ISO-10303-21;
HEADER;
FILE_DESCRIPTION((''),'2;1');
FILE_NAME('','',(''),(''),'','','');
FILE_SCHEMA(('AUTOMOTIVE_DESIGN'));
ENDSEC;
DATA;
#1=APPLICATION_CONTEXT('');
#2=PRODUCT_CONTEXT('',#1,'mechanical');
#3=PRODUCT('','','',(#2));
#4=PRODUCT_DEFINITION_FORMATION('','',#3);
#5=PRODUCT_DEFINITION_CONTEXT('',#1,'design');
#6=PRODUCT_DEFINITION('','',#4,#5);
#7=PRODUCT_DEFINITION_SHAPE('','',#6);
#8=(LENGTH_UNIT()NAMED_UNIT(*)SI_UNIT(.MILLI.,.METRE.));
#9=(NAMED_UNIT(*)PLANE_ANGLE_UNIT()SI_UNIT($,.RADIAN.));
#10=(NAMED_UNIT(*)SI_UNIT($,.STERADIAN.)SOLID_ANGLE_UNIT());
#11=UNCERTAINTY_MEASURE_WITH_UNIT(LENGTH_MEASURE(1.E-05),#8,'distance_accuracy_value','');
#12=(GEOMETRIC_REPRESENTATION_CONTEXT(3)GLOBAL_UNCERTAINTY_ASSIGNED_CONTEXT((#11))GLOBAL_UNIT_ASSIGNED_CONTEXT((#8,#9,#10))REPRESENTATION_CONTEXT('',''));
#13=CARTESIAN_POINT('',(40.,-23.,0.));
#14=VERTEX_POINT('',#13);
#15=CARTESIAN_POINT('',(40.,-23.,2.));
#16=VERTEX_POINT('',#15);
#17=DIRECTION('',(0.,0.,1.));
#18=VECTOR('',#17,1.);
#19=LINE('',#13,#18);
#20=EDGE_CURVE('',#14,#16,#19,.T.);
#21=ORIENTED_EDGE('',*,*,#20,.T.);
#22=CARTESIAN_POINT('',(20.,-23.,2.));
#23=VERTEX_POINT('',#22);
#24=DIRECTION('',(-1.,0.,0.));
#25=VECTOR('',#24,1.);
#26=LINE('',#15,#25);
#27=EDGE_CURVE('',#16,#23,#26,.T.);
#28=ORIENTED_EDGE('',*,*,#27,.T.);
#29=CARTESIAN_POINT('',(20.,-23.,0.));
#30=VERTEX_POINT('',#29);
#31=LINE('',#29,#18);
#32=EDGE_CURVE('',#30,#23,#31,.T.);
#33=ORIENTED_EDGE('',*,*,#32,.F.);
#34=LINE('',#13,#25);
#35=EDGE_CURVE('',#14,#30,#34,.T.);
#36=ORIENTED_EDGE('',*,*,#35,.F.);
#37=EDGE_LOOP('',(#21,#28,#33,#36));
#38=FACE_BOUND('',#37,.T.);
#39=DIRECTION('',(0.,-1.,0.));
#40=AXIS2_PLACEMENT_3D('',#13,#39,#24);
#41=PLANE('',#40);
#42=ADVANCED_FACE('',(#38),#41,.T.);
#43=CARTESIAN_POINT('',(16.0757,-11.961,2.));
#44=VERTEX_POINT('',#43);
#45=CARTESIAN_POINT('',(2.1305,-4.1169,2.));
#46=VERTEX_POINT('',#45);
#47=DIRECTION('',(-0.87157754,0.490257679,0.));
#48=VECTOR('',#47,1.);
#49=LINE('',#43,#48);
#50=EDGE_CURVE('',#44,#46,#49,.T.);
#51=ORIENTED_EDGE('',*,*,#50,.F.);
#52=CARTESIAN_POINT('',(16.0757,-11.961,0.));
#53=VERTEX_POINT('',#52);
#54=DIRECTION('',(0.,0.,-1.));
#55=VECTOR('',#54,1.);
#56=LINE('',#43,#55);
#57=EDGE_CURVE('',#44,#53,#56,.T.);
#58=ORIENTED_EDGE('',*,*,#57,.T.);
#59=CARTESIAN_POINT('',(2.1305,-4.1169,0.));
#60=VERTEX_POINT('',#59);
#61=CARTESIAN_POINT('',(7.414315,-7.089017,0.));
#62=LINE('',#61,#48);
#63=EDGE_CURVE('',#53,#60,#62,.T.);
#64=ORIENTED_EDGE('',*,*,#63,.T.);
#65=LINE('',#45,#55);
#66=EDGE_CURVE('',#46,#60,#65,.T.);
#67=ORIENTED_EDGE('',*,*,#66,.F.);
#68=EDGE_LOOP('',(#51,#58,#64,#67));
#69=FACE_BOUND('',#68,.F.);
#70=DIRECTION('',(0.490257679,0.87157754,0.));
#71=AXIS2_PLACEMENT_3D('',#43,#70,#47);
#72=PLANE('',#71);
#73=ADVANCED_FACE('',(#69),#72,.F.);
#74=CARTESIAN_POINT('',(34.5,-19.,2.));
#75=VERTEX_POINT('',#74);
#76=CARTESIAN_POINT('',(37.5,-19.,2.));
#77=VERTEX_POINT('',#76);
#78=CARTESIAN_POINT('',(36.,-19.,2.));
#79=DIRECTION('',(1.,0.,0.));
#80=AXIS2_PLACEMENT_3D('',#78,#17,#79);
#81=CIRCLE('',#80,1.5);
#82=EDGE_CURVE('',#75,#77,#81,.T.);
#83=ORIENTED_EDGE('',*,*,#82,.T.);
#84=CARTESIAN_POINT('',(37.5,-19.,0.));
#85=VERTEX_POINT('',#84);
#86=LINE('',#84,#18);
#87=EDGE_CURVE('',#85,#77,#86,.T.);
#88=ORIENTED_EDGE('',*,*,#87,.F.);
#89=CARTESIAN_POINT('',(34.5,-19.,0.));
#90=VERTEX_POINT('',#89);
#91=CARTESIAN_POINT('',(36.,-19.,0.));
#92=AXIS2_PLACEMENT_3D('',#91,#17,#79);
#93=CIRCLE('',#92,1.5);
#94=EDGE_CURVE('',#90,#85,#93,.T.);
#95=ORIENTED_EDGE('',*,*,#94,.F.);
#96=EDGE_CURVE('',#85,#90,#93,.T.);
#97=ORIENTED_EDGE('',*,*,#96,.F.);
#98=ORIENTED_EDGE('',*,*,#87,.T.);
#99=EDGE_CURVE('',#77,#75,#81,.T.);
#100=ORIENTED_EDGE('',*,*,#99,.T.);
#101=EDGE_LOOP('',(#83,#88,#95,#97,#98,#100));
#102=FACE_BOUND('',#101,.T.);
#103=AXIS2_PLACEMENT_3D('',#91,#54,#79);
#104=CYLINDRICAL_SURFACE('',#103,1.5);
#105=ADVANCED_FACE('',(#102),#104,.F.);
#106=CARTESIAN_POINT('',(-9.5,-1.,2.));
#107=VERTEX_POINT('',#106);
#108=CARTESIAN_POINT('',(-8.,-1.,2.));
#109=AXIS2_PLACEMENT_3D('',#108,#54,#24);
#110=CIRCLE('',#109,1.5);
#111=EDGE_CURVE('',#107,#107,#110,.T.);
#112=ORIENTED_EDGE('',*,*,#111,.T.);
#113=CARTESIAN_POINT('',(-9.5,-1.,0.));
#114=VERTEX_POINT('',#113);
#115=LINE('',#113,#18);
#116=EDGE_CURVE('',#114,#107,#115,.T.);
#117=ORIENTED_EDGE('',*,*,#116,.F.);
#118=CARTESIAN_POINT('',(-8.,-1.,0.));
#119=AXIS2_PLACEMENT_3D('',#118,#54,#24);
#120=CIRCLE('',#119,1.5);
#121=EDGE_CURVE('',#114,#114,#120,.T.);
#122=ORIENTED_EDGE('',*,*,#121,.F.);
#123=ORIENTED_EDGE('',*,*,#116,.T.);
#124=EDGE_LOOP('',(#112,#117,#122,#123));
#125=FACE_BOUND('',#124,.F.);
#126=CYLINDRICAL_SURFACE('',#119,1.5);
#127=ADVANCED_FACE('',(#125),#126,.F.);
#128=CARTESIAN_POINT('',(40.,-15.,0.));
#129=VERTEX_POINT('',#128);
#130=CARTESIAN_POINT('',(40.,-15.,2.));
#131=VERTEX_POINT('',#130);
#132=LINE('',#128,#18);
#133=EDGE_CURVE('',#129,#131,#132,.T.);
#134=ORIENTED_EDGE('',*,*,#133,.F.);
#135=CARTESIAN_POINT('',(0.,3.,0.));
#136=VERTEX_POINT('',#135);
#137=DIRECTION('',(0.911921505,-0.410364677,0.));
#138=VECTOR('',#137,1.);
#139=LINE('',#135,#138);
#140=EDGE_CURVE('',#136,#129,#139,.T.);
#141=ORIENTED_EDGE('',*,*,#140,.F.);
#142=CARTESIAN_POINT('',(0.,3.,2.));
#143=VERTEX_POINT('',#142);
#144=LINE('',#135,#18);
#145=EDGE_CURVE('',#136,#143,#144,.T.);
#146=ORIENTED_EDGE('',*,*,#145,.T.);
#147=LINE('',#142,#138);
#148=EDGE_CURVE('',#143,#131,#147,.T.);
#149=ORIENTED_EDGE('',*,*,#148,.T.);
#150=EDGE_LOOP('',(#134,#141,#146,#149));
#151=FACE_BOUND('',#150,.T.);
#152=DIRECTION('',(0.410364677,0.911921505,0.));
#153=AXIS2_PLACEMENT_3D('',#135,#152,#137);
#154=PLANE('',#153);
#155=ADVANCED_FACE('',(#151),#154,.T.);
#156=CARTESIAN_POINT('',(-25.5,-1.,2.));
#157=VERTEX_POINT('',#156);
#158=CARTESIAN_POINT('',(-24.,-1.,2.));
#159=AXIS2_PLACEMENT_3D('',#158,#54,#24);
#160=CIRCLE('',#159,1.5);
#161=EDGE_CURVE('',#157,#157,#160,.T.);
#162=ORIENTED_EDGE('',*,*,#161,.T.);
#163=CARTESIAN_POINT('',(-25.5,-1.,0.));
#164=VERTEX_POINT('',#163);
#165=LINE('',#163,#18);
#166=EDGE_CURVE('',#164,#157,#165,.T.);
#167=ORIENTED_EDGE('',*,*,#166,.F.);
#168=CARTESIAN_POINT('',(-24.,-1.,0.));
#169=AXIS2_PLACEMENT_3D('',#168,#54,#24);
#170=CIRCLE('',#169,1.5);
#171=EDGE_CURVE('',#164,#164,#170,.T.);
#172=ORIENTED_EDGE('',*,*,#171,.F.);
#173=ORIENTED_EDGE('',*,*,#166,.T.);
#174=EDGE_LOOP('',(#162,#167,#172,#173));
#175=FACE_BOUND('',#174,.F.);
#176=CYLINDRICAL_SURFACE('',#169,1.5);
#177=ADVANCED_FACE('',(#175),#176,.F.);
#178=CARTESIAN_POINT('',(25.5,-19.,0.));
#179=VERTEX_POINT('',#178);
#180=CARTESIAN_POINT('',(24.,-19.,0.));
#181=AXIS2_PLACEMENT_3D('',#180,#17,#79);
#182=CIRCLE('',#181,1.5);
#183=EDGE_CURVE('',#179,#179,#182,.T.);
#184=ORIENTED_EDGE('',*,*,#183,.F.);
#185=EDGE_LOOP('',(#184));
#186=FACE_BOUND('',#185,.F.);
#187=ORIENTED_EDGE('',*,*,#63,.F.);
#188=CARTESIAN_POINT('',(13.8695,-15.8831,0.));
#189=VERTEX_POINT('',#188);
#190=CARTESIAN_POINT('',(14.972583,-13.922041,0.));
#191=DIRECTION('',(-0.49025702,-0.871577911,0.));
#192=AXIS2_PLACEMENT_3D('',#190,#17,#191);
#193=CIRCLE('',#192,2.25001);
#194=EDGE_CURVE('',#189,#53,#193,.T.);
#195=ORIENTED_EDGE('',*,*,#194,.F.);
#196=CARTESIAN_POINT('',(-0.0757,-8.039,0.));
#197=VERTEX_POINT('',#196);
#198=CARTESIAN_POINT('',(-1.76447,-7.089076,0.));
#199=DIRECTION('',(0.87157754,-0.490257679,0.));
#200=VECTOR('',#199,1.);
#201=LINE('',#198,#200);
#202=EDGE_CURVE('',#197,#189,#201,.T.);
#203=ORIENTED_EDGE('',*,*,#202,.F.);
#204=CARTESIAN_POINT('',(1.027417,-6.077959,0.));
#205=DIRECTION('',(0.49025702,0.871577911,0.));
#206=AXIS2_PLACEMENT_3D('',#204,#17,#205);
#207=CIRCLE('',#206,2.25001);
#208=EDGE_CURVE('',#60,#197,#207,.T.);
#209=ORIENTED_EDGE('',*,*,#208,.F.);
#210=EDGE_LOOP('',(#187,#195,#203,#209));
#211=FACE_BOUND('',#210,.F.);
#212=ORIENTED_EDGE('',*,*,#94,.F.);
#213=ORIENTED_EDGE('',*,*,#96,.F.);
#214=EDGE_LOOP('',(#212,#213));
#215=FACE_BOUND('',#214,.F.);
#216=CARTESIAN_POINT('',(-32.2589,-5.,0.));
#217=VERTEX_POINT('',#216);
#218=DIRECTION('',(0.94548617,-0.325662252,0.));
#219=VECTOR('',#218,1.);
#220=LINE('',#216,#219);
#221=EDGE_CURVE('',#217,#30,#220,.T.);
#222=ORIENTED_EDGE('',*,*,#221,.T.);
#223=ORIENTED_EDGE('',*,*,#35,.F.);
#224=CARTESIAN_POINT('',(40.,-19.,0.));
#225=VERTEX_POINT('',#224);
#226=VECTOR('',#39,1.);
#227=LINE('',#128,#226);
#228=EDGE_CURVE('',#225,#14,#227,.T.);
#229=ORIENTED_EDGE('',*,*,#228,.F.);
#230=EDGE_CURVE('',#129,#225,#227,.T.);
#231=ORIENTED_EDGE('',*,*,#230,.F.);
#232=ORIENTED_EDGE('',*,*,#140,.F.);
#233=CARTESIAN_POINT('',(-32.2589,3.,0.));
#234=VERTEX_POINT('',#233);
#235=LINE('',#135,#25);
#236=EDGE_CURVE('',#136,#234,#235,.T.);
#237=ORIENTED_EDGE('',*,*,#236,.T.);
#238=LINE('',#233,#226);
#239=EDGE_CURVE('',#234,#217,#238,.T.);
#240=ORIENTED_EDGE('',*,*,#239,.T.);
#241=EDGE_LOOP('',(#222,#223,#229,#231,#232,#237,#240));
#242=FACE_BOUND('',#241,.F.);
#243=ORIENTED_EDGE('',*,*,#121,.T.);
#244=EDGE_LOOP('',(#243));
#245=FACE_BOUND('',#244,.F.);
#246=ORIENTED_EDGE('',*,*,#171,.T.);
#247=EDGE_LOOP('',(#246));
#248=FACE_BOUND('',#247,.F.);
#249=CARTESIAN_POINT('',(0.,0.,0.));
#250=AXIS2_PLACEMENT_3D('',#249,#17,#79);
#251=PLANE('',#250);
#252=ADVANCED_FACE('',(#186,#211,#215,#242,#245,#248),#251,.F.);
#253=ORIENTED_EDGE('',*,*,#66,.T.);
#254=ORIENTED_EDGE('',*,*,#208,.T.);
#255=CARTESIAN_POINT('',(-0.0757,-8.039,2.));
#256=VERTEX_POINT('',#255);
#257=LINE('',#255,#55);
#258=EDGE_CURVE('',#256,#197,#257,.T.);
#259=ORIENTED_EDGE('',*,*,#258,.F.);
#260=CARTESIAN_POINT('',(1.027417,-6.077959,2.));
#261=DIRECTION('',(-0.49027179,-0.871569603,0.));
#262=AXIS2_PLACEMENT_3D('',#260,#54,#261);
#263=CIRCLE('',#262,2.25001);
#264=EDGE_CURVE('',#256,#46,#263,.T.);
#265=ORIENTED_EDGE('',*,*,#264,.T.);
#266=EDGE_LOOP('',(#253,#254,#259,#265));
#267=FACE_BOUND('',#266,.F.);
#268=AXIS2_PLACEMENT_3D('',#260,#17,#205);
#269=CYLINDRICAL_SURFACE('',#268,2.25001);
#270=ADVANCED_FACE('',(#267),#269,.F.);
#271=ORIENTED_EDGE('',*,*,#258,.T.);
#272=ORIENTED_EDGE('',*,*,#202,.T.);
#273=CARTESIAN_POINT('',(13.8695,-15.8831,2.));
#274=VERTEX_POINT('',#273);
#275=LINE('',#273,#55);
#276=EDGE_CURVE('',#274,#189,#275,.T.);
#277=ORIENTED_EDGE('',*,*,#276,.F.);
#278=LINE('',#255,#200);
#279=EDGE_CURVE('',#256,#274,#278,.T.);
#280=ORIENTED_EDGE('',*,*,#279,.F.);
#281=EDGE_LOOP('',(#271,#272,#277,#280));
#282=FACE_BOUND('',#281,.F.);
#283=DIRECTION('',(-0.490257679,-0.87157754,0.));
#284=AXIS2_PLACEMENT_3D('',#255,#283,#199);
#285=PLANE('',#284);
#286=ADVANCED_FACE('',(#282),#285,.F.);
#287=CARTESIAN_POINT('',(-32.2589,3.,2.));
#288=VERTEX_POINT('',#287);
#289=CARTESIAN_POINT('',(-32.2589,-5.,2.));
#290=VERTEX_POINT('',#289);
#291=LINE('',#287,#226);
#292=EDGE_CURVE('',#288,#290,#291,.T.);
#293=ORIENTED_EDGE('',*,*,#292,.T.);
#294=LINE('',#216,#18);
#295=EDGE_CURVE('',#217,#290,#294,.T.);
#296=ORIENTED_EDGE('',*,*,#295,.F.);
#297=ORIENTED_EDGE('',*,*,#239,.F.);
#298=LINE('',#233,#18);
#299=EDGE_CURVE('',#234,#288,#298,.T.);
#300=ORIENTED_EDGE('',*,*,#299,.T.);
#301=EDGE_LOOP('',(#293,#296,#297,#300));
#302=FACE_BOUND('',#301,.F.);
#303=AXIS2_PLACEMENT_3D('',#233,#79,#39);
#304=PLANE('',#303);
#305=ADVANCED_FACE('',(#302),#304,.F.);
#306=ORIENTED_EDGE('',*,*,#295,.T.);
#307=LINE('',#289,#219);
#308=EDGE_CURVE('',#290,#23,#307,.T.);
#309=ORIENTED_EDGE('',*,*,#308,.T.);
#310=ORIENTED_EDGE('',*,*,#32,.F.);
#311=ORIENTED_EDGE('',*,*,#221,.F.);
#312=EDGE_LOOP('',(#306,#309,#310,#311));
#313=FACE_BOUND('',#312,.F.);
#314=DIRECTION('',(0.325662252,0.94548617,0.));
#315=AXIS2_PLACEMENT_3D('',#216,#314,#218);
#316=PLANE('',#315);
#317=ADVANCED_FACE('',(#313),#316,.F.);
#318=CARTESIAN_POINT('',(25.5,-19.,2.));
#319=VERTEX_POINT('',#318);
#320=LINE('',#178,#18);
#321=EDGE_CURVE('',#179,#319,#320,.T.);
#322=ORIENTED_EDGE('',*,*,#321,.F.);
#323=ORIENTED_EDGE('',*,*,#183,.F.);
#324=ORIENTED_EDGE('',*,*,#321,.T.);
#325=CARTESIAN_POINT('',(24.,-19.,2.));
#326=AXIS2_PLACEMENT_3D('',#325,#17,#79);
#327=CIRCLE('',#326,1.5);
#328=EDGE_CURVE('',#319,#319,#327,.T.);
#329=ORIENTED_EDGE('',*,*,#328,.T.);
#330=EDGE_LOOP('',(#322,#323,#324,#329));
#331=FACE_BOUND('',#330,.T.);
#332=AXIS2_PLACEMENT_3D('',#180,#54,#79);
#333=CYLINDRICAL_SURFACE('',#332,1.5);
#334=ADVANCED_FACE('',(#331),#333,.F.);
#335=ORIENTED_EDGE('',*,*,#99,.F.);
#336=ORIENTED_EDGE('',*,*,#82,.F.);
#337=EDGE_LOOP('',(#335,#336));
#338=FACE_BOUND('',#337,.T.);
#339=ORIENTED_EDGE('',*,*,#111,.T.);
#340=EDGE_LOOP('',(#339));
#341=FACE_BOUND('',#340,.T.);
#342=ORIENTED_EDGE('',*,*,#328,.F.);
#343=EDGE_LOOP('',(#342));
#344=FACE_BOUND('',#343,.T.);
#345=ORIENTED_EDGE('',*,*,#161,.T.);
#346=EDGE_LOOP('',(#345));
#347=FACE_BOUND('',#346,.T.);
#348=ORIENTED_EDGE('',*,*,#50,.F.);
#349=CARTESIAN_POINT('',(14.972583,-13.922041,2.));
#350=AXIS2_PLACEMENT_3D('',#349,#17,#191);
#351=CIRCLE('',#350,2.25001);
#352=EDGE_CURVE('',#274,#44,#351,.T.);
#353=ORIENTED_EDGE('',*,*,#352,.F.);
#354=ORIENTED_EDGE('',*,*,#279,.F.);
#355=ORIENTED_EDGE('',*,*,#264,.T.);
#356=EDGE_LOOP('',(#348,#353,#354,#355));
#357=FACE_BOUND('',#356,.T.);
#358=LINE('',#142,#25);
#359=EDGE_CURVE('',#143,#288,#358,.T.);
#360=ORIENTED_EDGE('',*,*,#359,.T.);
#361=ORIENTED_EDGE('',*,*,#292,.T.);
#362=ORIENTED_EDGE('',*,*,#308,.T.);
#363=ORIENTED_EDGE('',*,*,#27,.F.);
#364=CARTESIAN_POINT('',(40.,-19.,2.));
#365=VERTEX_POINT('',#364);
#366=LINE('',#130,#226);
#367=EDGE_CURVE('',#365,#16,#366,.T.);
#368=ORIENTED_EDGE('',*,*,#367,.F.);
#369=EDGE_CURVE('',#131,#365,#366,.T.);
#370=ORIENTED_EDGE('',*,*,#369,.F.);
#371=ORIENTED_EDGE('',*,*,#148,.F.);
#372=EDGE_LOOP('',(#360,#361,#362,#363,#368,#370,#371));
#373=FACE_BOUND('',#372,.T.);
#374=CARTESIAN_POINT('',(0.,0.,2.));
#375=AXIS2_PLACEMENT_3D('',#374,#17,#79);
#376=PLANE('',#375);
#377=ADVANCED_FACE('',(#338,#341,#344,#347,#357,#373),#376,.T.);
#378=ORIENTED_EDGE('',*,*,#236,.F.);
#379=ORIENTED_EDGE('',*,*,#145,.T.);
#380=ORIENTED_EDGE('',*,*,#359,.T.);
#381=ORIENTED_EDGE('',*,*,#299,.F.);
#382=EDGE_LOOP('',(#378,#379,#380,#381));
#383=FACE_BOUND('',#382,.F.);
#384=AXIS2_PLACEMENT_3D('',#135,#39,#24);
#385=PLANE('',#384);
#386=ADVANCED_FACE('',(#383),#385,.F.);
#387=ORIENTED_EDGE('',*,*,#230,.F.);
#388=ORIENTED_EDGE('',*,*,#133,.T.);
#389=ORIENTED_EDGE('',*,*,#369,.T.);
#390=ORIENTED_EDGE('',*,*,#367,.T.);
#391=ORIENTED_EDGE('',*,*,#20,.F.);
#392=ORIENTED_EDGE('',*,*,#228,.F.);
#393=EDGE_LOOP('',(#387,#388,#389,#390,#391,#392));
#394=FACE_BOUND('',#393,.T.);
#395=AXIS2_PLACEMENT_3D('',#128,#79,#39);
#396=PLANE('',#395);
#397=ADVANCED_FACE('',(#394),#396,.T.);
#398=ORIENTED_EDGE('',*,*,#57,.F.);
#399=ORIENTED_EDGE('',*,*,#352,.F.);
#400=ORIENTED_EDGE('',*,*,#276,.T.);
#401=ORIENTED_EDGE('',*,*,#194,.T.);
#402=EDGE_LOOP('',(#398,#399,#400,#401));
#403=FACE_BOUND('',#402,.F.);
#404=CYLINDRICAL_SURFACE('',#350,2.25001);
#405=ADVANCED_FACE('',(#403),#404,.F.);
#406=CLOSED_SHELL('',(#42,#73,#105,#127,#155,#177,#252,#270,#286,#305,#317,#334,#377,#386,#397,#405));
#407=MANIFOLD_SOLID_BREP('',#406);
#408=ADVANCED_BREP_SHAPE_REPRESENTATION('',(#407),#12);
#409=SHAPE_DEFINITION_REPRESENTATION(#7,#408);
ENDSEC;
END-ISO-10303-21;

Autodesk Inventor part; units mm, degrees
ref_plane "YZ Plane" through (0, 0, 0) normal (1, 0, 0) x (0, 1, 0)
ref_plane "XZ Plane" through (0, 0, 0) normal (0, 1, 0) x (-1, 0, 0)
ref_plane "XY Plane" through (0, 0, 0) normal (0, 0, 1) x (1, 0, 0)
sketch "Sketch1" plane through (0, 0, 0) normal (0, 0, 1) x (1, 0, 0)
  line L0 (-158.3346, -22.9633) -> (-158.3346, -15.0367) projected
  arc A0 (-32.2589, 3) -> (-35, 2.3373) centre (-32.2589, -3) ccw projected
  line L1 (-35, 2.3373) -> (-35, -5) projected
  line L2 (0, -5) -> (-35, -5) projected
  line L3 (0, 3) -> (0, -5) projected
  line L4 (0, 3) -> (-32.2589, 3) projected
  circle A1 centre (-8, -1) radius 2 projected
  circle A2 centre (-24, -1) radius 2 projected
  line L5 (-158.3346, -19) -> (0, -19)
  line L6 (-64, 3) -> (-56, 3) projected
  line L7 (-60, 3) -> (-60, 13)
  line L8 (-60, 13) -> (50, 13)
  line L9 (-32.2589, 3) -> (-32.2589, -5)
  line L10 (50, 13) -> (50, -19)
  line L11 (50, -19) -> (40, -19)
  line L12 (40, -19) -> (30, -19)
  line L13 (20, -15) -> (40, -15)
  line L14 (40, -15) -> (40, -23)
  line L15 (40, -23) -> (20, -23)
  line L16 (20, -23) -> (20, -15)
  line L17 (20, -15) -> (40, -23) construction
  line L18 (40, -15) -> (20, -23) construction
  line L19 (0, 3) -> (40, -15)
  line L20 (30, -19) -> (24, -19)
  circle A3 centre (24, -19) radius 1.5
  line L21 (30, -19) -> (36, -19)
  circle A4 centre (36, -19) radius 1.5
  line L22 (-32.2589, -5) -> (20, -23)
  point P0 (0, 0)
  dimension "d0" = 10
  dimension "d1" = 110
  dimension "d2" = 32
  dimension "d3" = 10
  dimension "d4" = 10
  dimension "d5" = 20
  dimension "d6" = 8
  dimension "d7" = 6
  dimension "d8" = 3
  dimension "d9" = 6
  dimension "d10" = 3
extrude "Extrusion1" add sketch "Sketch1" along normal blind 2 contours L4 L3 L2 L9 | L19 L13 L16 L22 L2 L3 | L14 L15 L16 L13
sketch "Sketch3" plane through (0, 0, 0) normal (0, 0, -1) x (-1, 0, 0)
  line L0 (0, 3) -> (32.2589, 3) projected
  line L1 (-40, -15) -> (0, 3) projected
  line L2 (-40, -23) -> (-40, -15) projected
  line L3 (-20, -23) -> (-40, -23) projected
  line L4 (32.2589, -5) -> (-20, -23) projected
  line L5 (32.2589, 3) -> (32.2589, -5) projected
  circle A0 centre (-36, -19) radius 1.5 projected
  circle A1 centre (-24, -19) radius 1.5 projected
  circle A2 centre (24, -1) radius 2 projected
  circle A3 centre (8, -1) radius 2 projected
  circle A4 centre (8, -1) radius 1.5
  circle A5 centre (24, -1) radius 1.5
  point P0 (0, 0)
  dimension "d23" = 3
  dimension "d24" = 3
extrude "Extrusion3" add sketch "Sketch3" against normal blind 2 contours A2 | A3
sketch "Sketch4" plane through (0, 0, 2) normal (0, 0, 1) x (1, 0, 0)
  circle A0 centre (-24, -1) radius 1.5 projected
  circle A1 centre (-8, -1) radius 1.5 projected
  line L0 (-32.2589, 3) -> (-32.2589, -5) projected
  line L1 (-32.2589, -5) -> (20, -23) projected
  line L2 (20, -23) -> (40, -23) projected
  line L3 (40, -23) -> (40, -15) projected
  line L4 (40, -15) -> (0, 3) projected
  line L5 (0, 3) -> (-32.2589, 3) projected
  circle A2 centre (36, -19) radius 1.5 projected
  circle A3 centre (24, -19) radius 1.5 projected
  circle A4 centre (-8, -1) radius 1.5 projected
  line L6 (-8, -1) -> (24, -19)
  line L7 (1.0274, -6.0779) -> (14.9726, -13.9221) construction
  line L8 (-0.0757, -8.039) -> (13.8695, -15.8831)
  line L9 (16.0757, -11.961) -> (2.1305, -4.1169)
  arc A5 (2.1305, -4.1169) -> (-0.0757, -8.039) centre (1.0274, -6.0779) ccw
  arc A6 (13.8695, -15.8831) -> (16.0757, -11.961) centre (14.9726, -13.9221) ccw
  point P0 (0, 0)
  point P1 (8, -10)
  dimension "d27" = 8
  dimension "d28" = 4.5
extrude "Extrusion4" cut sketch "Sketch4" against normal blind 10 contours A5 L9 A6 L6 | L6 A6 L8 A5
properties part number "arm_2"
